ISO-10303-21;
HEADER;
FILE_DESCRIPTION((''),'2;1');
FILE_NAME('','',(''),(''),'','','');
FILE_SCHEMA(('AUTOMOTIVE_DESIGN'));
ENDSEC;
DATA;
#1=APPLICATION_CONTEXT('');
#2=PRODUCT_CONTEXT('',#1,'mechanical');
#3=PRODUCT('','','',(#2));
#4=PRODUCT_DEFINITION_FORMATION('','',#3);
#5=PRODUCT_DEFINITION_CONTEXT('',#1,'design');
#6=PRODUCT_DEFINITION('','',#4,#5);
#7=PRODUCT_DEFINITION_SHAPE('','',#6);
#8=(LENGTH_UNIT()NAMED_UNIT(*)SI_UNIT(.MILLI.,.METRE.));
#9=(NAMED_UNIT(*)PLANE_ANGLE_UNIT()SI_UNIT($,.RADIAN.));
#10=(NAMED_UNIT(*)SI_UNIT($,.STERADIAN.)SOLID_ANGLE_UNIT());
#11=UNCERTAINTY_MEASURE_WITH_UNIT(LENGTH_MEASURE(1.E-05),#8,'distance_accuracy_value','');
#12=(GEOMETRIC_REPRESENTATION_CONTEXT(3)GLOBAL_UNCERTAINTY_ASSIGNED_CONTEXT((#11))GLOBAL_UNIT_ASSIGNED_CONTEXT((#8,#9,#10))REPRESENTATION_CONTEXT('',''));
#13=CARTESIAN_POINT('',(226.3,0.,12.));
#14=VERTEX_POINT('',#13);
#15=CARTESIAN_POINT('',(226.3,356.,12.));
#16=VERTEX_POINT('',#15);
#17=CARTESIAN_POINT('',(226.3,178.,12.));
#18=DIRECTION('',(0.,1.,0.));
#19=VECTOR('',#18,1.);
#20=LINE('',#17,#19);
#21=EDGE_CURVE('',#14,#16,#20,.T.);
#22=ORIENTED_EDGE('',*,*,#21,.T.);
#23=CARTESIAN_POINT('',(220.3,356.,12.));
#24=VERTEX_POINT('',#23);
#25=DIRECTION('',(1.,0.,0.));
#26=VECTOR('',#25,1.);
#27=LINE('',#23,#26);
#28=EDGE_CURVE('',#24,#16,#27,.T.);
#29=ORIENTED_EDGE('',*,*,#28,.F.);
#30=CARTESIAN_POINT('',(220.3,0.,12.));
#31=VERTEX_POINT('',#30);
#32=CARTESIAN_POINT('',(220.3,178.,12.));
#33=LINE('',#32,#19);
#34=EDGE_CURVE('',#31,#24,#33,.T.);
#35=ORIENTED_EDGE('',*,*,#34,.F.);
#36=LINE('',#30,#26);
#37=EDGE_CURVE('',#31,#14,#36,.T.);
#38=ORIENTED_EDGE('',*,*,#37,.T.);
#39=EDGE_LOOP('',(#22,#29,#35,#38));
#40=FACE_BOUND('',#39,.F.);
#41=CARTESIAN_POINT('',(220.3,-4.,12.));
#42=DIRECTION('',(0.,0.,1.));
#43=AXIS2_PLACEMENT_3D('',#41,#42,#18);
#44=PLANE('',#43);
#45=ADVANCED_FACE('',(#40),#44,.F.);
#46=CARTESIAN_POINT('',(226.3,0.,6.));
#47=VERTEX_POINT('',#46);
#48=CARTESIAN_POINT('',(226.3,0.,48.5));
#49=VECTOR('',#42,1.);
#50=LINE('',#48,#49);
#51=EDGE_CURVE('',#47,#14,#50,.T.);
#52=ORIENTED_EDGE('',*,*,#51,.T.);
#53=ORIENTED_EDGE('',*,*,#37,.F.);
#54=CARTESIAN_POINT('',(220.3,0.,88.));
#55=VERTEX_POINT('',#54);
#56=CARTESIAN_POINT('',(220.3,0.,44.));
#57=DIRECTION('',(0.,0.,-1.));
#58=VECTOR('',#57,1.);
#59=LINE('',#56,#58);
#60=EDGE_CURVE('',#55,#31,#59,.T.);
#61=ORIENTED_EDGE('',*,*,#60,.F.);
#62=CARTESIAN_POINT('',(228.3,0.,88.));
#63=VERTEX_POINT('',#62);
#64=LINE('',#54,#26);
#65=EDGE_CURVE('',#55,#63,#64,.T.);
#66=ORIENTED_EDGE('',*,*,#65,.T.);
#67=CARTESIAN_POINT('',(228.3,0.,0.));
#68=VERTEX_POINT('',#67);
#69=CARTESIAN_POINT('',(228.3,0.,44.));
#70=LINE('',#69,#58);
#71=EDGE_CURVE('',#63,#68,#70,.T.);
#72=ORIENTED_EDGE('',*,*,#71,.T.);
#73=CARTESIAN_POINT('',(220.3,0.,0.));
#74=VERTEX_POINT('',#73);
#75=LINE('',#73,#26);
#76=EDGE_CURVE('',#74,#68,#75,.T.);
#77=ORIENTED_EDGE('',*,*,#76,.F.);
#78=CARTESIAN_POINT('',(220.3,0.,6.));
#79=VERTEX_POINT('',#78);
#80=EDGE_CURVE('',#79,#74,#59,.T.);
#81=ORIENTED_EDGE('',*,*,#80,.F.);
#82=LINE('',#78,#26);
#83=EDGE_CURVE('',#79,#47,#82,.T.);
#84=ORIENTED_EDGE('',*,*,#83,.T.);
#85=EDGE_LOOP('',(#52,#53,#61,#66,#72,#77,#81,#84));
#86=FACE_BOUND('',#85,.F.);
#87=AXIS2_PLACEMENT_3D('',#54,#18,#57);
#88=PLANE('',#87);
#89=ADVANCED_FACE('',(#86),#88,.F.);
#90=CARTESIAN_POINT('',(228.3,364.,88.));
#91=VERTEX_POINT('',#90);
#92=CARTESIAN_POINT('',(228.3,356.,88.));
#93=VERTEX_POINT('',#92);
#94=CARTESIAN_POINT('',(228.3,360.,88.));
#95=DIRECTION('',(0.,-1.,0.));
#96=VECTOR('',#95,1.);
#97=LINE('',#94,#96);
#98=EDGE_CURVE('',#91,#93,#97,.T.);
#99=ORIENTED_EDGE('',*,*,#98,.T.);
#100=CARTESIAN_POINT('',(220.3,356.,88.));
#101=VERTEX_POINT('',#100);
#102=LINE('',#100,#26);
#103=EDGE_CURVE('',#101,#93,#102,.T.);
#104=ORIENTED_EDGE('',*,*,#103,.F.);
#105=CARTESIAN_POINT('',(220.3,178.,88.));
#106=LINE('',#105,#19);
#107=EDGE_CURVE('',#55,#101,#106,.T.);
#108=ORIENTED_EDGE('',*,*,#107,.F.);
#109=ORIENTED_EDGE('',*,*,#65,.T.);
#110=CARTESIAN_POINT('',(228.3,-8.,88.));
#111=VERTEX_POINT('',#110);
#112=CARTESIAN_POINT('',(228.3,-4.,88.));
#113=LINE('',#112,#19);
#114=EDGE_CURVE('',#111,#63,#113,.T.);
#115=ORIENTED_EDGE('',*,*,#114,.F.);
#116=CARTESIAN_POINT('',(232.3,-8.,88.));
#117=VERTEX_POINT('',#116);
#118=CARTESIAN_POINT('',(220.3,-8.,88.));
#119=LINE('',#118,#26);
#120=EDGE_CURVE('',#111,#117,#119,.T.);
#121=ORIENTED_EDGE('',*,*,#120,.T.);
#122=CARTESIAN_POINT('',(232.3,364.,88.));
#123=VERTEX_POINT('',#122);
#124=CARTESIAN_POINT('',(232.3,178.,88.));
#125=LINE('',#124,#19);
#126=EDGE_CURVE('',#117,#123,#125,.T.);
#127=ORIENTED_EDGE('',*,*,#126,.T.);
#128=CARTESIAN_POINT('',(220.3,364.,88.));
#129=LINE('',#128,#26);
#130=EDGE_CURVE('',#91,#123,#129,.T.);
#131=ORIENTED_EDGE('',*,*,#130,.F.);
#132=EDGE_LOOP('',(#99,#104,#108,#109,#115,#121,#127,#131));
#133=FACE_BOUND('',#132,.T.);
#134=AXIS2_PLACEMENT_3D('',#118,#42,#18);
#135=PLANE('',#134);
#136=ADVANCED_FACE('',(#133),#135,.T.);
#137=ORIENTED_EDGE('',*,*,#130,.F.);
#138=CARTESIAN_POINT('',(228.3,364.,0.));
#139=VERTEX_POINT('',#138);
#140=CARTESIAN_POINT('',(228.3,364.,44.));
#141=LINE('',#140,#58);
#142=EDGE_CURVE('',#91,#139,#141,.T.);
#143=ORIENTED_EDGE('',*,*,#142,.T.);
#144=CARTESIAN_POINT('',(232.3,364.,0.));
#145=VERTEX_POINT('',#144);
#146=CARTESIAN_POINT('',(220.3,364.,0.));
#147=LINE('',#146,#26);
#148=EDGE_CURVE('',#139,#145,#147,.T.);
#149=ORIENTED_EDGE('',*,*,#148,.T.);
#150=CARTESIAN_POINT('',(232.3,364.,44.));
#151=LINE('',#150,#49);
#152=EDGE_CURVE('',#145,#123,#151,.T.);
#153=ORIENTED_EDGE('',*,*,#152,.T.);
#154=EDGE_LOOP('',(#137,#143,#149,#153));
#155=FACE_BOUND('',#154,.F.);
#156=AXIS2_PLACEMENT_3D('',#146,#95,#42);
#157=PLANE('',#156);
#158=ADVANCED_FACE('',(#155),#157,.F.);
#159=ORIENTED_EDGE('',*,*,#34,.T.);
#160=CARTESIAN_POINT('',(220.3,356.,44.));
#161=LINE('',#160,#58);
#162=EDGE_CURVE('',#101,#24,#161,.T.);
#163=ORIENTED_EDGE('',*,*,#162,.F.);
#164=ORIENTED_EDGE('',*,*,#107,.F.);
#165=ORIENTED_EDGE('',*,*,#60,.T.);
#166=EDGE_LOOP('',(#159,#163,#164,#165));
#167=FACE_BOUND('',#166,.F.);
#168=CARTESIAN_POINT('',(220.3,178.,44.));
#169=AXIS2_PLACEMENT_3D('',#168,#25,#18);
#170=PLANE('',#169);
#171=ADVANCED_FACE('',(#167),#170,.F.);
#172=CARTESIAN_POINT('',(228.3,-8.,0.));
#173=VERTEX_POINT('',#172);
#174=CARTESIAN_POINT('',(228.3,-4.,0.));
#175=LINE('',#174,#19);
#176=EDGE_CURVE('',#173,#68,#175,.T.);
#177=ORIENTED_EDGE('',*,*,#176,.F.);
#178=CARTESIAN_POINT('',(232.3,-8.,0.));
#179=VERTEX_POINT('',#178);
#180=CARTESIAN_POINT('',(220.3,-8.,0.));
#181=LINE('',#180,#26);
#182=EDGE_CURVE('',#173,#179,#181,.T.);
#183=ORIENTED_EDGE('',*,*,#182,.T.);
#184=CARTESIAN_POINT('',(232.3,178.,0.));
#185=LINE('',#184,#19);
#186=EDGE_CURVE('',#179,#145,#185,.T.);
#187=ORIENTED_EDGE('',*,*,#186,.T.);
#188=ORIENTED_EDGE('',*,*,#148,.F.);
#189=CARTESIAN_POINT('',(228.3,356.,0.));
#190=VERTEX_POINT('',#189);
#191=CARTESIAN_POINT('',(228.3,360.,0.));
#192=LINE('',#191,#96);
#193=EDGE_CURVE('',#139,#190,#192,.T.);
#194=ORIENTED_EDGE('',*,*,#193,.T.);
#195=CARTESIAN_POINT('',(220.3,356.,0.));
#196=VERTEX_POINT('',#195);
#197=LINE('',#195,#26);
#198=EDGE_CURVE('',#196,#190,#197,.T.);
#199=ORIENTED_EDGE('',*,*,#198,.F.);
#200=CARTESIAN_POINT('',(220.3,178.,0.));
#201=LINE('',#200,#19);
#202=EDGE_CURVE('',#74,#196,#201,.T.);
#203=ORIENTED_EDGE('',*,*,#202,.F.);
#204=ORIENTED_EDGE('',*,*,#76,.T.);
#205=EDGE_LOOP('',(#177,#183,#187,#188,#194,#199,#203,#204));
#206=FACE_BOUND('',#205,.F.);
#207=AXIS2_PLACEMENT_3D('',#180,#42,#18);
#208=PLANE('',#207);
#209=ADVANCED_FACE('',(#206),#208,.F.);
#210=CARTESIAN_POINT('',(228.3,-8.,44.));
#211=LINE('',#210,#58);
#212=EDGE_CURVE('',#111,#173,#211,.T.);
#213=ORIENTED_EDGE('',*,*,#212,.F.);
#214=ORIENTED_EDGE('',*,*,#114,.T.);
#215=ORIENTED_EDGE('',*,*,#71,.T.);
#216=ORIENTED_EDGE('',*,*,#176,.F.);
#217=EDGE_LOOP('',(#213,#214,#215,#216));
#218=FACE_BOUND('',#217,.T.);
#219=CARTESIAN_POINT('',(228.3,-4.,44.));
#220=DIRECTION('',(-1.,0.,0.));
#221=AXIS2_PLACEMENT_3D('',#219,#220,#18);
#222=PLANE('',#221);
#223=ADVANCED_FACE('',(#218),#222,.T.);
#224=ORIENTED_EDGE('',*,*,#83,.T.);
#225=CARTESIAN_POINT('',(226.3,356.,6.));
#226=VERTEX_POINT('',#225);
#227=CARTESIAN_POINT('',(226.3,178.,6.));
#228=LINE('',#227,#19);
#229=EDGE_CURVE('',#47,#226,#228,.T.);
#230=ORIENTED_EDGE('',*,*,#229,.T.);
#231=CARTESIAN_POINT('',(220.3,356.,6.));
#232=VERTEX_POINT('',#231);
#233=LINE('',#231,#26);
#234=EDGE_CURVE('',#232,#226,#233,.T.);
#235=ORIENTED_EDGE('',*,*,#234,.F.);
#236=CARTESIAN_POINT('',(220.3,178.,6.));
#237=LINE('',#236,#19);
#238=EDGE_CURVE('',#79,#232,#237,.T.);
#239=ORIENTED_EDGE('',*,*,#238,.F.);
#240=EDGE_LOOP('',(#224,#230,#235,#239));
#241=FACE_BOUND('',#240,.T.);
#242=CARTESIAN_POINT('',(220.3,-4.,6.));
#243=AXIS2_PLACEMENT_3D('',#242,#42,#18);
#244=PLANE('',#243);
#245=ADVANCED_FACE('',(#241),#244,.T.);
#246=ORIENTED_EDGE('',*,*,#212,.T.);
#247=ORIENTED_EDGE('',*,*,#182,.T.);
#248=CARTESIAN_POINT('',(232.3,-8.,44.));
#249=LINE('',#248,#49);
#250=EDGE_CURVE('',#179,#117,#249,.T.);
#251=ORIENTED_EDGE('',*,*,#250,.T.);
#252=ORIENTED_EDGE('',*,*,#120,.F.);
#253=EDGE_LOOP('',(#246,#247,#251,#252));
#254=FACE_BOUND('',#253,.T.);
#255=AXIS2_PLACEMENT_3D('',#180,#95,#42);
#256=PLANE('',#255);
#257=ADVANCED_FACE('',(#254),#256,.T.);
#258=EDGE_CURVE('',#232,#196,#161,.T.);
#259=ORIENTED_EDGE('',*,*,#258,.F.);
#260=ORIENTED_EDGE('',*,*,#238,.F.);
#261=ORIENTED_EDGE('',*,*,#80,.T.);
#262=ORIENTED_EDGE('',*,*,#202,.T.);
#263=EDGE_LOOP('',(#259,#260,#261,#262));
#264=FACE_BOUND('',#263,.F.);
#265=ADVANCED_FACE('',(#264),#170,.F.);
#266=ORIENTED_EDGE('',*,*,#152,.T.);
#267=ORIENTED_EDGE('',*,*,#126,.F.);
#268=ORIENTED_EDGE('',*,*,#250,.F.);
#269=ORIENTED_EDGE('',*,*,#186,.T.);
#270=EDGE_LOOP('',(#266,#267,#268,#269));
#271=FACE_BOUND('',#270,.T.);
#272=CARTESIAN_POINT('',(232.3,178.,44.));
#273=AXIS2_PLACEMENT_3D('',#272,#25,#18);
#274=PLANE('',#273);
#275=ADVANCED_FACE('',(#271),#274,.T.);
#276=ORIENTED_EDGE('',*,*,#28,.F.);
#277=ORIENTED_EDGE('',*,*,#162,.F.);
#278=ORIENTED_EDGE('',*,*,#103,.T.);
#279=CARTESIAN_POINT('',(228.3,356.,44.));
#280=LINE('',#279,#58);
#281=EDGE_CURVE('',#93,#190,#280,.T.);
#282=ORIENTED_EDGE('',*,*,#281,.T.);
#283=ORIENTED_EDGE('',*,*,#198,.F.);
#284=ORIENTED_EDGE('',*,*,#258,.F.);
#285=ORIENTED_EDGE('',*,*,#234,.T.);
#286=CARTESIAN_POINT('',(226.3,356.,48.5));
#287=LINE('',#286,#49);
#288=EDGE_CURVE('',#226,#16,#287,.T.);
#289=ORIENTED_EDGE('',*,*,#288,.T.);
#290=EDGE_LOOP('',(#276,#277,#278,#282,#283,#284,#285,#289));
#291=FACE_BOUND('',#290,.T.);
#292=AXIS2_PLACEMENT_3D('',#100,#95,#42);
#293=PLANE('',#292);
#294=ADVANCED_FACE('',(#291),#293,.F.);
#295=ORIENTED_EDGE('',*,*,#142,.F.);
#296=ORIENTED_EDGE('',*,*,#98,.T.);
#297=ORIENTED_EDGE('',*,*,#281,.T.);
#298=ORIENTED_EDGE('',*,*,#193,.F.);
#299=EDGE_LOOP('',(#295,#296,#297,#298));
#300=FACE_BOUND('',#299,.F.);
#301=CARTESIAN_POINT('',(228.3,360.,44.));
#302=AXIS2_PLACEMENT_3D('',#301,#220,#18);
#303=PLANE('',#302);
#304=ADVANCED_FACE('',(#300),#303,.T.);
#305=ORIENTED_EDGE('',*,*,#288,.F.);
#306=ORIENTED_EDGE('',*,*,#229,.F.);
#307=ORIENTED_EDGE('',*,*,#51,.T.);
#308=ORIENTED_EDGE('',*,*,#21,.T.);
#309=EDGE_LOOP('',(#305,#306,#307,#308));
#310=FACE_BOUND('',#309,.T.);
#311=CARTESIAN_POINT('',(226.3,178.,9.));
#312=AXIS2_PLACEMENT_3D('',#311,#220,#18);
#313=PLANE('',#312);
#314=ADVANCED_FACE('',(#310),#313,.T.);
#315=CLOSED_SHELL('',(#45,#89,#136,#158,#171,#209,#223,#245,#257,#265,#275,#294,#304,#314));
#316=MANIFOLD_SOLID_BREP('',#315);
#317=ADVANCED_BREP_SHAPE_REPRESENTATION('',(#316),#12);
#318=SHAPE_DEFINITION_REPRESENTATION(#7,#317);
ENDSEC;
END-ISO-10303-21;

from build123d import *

# Parameters (mm, degrees)
SKETCH066_W             = 372
SKETCH066_H             = 88
PAD024_DEPTH            = 12
SKETCH067_W             = 8
SKETCH067_H             = 88
POCKET040_DEPTH         = 8
SKETCH068_W             = 364
SKETCH068_H             = 6
POCKET041_DEPTH         = 6
BODY023_ROLL_ANGLE      = 90
BODY023_PLACEMENT_ANGLE = 90


with BuildPart() as part:
    # Sketch066 → Pad024 (new body)
    with BuildSketch(Plane.XY):
        with Locations((0, 44)):
            Rectangle(SKETCH066_W, SKETCH066_H)
    extrude(amount=PAD024_DEPTH)

    # Sketch067 (on Face5 of Pad024) → Pocket040 (cut)
    with BuildSketch(Plane(origin=(0, 0, 0), x_dir=(1, 0, 0), z_dir=(0, 0, -1))):
        with Locations((-182, -44)):
            Rectangle(SKETCH067_W, SKETCH067_H)
    pocket040 = extrude(amount=-POCKET040_DEPTH, mode=Mode.SUBTRACT)

    # Mirrored015: Pocket040 across Sketch067 V_Axis
    add(pocket040.mirror(Plane(origin=(0, 0, 0), x_dir=(0, 0, -1), z_dir=(1, 0, 0))), mode=Mode.SUBTRACT)

    # Sketch068 (on Face3 of Mirrored015) → Pocket041 (cut)
    with BuildSketch(Plane(origin=(0, 0, 0), x_dir=(1, 0, 0), z_dir=(0, 0, -1))):
        with Locations((0, -9)):
            Rectangle(SKETCH068_W, SKETCH068_H)
    extrude(amount=-POCKET041_DEPTH, mode=Mode.SUBTRACT)


with BuildPart() as part_1:
    # Body023 roll: moved
    add(part.part.rotate(Axis((0, 0, 0), (1, 0, 0)), BODY023_ROLL_ANGLE))


with BuildPart() as part_2:
    # Body023 placement: moved
    add(part_1.part.moved(Location((220.3, 178, 0))).rotate(Axis((220.3, 178, 0), (0, 0, 1)), BODY023_PLACEMENT_ANGLE))


solid = part_2.part
